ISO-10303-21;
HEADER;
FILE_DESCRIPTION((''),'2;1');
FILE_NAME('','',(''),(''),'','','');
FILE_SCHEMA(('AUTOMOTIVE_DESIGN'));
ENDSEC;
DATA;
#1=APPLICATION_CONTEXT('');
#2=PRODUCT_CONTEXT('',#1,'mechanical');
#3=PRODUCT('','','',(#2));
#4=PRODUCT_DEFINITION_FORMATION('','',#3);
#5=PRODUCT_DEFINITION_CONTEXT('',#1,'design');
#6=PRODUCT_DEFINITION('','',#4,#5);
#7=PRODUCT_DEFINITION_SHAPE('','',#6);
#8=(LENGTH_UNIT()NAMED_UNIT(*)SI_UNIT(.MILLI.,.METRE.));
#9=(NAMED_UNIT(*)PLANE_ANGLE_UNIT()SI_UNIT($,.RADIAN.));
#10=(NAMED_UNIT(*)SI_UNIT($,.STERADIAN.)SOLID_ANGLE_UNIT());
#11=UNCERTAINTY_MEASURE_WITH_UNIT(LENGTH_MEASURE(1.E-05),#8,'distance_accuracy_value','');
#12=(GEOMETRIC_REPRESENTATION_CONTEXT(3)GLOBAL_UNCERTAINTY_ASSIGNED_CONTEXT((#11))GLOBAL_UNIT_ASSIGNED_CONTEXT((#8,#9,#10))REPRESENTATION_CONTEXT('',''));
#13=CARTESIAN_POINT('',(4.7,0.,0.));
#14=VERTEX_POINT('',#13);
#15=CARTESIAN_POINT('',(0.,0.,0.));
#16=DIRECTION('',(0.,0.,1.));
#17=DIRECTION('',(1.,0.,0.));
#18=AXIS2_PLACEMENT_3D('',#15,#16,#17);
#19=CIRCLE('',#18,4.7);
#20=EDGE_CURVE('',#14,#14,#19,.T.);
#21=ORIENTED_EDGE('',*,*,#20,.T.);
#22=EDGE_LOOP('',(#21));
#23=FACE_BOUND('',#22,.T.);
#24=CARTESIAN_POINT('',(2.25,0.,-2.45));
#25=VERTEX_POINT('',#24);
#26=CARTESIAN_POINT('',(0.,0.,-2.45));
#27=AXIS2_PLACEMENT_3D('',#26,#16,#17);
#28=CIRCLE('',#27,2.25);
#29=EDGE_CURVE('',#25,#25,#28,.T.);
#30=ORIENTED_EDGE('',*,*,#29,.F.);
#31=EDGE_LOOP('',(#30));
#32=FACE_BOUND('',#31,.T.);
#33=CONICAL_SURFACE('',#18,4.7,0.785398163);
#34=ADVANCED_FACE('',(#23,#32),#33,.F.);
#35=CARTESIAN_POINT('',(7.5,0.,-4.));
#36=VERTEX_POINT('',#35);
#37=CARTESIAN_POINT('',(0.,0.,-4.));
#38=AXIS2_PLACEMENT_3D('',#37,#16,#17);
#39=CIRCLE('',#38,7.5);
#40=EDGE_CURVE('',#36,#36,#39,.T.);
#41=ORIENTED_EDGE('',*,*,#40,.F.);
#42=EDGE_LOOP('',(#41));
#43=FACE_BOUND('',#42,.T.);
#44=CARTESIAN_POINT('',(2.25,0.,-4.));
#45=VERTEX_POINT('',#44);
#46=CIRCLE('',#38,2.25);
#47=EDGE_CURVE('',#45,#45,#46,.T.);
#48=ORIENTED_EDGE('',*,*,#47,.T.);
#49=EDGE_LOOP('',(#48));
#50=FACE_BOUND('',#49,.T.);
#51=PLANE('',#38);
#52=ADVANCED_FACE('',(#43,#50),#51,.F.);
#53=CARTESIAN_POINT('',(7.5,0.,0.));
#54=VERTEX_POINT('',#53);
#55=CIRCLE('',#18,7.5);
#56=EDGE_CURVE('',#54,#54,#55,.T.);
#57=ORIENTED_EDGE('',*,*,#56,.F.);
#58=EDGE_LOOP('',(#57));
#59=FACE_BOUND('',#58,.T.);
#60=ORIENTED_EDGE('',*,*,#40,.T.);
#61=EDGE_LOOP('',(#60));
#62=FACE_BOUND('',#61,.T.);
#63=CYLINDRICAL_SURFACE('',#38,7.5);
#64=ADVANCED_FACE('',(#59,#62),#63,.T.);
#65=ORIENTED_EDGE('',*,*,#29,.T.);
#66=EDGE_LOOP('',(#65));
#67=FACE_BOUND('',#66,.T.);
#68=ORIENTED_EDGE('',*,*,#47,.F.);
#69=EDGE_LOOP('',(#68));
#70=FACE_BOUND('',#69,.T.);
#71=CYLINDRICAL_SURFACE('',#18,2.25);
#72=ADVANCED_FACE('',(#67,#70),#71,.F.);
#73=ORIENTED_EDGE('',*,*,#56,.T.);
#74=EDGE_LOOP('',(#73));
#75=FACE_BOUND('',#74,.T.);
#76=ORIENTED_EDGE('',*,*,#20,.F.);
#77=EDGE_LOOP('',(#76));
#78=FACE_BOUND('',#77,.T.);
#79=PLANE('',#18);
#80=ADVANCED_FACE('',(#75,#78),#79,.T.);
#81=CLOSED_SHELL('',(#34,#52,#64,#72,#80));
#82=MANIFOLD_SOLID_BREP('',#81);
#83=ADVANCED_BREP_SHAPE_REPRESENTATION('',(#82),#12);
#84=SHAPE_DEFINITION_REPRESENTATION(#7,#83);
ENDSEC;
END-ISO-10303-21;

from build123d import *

# Parameters (mm, degrees)
SKETCH2_R           = 7.5
BOSS_EXTRUDE1_DEPTH = 4


with BuildPart() as part:
    # Sketch2 → Boss-Extrude1 (new body)
    with BuildSketch(Plane.XY):
        Circle(SKETCH2_R)
    extrude(amount=-BOSS_EXTRUDE1_DEPTH)

    # Sketch6 → CSK for M4 Flat Head Machine Screw1 (revolve, cut)
    with BuildSketch(Plane(origin=(0, 0, 0), x_dir=(0, -1, 0), z_dir=(1, 0, 0))):
        Polygon((0, 0), (0, 4), (2.25, 4), (2.25, 2.45), (4.7, 0), align=None)
    revolve(axis=Axis((0, 0, 6.35), (0, 0, -1)), mode=Mode.SUBTRACT)


solid = part.part
